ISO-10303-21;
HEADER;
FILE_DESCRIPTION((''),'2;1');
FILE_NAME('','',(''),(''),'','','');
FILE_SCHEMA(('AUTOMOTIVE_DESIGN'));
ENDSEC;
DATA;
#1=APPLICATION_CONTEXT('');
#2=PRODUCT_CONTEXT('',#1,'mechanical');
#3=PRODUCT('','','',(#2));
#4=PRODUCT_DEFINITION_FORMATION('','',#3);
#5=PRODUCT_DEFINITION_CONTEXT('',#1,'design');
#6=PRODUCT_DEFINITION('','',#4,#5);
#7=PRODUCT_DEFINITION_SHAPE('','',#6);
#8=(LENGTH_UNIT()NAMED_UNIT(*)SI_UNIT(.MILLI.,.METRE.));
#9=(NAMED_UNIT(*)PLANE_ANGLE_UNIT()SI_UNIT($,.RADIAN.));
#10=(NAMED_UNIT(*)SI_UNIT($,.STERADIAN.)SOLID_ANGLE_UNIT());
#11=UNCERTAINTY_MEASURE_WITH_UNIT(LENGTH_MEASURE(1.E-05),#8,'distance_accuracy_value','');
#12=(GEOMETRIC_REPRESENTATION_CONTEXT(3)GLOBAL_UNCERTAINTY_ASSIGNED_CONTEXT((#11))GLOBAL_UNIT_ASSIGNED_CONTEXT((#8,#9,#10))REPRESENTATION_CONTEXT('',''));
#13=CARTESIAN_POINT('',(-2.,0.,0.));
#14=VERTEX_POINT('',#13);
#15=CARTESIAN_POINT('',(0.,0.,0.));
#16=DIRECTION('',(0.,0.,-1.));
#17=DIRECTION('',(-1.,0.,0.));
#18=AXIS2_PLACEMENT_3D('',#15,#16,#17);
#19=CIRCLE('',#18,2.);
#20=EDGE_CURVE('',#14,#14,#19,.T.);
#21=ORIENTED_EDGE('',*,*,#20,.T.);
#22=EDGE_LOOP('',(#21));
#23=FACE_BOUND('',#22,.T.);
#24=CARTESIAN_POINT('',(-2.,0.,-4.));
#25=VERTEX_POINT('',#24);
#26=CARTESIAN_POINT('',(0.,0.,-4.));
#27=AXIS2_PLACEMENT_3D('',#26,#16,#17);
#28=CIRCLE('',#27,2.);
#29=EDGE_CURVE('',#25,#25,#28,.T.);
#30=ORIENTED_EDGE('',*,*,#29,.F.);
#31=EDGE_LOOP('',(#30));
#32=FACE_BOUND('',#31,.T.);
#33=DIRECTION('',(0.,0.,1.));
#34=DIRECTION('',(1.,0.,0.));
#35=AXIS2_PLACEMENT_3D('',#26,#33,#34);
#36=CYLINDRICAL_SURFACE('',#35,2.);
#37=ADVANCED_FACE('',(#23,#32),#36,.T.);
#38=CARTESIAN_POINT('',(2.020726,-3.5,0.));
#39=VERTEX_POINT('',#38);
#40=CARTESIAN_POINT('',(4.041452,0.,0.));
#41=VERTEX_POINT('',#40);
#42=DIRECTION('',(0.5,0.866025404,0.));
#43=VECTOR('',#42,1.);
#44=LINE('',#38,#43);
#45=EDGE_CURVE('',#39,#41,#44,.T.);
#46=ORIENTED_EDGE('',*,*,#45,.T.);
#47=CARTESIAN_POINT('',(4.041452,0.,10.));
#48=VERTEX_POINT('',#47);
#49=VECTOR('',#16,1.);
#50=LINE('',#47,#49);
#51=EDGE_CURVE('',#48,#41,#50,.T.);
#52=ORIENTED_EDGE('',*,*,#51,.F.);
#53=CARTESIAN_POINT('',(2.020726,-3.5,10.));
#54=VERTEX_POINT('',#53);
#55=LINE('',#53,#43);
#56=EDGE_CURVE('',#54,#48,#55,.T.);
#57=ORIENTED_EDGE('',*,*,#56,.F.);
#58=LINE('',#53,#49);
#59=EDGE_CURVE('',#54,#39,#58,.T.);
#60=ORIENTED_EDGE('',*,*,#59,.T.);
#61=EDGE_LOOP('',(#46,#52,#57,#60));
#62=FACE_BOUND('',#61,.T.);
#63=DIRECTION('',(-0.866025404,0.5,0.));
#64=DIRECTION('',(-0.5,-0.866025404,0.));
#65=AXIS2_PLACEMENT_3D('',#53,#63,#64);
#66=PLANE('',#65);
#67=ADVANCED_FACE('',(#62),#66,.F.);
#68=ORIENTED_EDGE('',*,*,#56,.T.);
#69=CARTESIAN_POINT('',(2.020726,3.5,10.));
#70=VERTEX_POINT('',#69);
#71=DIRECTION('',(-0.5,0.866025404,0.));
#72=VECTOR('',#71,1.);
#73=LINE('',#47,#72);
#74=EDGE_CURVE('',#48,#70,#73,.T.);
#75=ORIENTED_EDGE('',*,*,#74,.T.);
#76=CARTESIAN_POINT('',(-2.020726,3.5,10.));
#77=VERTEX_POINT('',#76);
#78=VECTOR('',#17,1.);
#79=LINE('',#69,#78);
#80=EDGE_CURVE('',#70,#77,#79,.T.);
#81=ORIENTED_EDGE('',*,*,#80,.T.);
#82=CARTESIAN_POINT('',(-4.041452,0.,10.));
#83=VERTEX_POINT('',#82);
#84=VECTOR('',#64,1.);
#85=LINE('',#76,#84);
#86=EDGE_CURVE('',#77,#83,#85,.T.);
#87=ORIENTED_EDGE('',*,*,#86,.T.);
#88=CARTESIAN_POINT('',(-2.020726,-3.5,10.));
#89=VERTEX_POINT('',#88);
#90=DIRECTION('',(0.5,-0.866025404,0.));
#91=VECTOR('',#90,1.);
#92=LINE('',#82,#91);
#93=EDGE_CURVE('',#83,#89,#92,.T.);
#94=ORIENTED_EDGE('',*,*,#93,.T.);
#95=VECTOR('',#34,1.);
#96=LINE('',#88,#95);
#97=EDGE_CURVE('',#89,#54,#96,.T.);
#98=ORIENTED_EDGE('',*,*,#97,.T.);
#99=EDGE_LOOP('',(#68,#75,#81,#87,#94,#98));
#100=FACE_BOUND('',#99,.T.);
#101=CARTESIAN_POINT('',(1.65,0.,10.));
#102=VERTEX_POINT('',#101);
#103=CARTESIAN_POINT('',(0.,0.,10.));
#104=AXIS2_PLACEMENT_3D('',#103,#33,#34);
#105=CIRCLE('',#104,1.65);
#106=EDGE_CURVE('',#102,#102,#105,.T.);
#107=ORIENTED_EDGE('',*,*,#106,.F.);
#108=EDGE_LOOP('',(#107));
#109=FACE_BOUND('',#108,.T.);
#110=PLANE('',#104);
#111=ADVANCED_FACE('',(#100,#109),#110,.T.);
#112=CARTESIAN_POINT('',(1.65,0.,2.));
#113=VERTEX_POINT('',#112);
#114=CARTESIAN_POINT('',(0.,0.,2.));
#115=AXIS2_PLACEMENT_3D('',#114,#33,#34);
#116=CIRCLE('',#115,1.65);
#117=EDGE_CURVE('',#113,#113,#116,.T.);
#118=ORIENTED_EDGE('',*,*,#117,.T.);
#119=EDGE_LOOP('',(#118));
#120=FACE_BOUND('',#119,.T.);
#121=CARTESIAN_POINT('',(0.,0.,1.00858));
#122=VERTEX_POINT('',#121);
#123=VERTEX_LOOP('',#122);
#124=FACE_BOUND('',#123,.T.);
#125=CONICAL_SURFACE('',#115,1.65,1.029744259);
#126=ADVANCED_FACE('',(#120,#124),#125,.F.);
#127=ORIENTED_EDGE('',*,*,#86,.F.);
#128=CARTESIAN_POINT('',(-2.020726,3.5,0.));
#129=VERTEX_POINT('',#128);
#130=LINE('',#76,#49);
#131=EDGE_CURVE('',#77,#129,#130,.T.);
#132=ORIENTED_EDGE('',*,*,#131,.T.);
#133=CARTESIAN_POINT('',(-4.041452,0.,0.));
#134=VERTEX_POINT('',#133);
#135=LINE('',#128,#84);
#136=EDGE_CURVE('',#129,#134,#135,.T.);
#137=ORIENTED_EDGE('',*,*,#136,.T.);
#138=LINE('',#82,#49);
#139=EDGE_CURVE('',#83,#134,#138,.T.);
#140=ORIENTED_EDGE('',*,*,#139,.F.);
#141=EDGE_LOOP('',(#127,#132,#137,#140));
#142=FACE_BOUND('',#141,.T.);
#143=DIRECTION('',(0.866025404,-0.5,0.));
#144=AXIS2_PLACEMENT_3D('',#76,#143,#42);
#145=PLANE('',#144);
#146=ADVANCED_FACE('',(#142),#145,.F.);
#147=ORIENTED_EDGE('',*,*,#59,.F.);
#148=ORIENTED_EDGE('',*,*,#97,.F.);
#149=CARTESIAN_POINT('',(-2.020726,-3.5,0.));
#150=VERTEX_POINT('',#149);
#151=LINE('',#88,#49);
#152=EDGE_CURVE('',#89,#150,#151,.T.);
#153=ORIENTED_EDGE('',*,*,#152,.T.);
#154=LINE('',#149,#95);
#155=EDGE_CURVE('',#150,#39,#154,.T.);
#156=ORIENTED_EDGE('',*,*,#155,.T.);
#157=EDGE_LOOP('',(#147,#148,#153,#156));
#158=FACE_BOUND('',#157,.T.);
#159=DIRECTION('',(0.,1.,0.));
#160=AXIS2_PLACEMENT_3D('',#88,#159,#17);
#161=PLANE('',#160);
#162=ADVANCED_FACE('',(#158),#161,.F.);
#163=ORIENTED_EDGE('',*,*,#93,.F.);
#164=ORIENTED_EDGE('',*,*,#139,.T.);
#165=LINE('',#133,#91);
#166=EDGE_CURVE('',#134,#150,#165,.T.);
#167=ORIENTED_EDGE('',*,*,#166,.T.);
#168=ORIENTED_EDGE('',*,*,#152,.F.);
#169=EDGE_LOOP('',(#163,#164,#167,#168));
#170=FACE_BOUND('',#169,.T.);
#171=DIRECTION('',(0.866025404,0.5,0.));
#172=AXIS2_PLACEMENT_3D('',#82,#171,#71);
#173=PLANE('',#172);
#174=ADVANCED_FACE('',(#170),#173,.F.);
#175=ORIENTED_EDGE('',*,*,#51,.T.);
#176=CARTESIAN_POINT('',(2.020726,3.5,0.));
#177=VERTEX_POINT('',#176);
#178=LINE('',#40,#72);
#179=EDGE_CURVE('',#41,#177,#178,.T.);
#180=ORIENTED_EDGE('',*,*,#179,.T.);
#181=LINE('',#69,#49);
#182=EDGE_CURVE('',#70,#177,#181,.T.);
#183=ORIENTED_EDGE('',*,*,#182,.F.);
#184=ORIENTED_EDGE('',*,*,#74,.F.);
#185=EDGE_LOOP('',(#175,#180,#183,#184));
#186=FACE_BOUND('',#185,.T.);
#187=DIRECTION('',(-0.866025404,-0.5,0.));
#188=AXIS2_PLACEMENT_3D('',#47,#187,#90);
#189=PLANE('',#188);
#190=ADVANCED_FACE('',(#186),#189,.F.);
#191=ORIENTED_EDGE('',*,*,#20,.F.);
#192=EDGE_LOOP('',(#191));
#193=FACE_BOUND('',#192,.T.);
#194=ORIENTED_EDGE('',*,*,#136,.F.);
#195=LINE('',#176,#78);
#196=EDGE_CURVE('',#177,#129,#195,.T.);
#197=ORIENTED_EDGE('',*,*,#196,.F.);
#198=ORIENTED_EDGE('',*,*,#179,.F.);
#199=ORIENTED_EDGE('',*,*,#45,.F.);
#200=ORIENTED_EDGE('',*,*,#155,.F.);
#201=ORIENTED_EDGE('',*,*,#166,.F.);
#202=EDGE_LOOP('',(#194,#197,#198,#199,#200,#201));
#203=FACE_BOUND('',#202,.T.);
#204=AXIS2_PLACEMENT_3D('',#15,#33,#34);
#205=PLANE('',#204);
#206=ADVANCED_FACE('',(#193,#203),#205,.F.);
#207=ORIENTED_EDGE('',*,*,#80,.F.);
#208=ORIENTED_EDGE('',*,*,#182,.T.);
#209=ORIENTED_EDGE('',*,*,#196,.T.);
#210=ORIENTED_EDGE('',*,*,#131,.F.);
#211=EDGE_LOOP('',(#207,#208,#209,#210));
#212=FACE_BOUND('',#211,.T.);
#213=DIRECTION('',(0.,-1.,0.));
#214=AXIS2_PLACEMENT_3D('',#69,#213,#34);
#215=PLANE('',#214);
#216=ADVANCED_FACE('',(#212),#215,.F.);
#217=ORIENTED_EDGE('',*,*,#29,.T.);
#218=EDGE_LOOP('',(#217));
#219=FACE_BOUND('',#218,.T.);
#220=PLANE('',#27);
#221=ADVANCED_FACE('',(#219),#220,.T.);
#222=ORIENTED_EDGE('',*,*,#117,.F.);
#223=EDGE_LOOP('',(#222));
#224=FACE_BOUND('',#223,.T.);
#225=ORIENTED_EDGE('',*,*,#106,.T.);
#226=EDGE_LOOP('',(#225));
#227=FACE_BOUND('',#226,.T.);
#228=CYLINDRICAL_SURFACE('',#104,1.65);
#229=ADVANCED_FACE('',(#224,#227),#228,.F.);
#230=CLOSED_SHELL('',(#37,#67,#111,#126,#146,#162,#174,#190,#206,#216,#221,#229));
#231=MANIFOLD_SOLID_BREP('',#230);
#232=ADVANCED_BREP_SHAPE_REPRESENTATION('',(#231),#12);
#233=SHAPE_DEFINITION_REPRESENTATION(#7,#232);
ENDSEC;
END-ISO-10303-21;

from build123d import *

# Parameters (mm, degrees)
EXTRUDE_1_DEPTH = 10
SKETCH_4_R      = 2
EXTRUDE_2_DEPTH = 4
M4X0_7_1_D      = 3.3
M4X0_7_1_DEPTH  = 8
M4X0_7_1_TIP    = 0.991420021


with BuildPart() as part:
    # 草圖1 → 填料-伸長1 (new body)
    with BuildSketch(Plane.XY):
        Polygon((-2.020725942, 3.5), (-4.041451884, 0), (-2.020725942, -3.5), (2.020725942, -3.5), (4.041451884, 0), (2.020725942, 3.5), align=None)
    extrude(amount=EXTRUDE_1_DEPTH)

    # 草圖4 → 填料-伸長2 (add)
    with BuildSketch(Plane(origin=(0, 0, 0), x_dir=(-1, 0, 0), z_dir=(0, 0, -1))):
        Circle(SKETCH_4_R)
    extrude(amount=EXTRUDE_2_DEPTH)

    # M4x0.7 螺紋孔1
    with Locations(Plane.XY.offset(10)):
        with Locations((0, 0)):
            Hole(M4X0_7_1_D / 2, depth=M4X0_7_1_DEPTH)
            with Locations((0, 0, -(M4X0_7_1_DEPTH + M4X0_7_1_TIP / 2))):  # 118° drill point
                Cone(0, M4X0_7_1_D / 2, M4X0_7_1_TIP, mode=Mode.SUBTRACT)


solid = part.part
